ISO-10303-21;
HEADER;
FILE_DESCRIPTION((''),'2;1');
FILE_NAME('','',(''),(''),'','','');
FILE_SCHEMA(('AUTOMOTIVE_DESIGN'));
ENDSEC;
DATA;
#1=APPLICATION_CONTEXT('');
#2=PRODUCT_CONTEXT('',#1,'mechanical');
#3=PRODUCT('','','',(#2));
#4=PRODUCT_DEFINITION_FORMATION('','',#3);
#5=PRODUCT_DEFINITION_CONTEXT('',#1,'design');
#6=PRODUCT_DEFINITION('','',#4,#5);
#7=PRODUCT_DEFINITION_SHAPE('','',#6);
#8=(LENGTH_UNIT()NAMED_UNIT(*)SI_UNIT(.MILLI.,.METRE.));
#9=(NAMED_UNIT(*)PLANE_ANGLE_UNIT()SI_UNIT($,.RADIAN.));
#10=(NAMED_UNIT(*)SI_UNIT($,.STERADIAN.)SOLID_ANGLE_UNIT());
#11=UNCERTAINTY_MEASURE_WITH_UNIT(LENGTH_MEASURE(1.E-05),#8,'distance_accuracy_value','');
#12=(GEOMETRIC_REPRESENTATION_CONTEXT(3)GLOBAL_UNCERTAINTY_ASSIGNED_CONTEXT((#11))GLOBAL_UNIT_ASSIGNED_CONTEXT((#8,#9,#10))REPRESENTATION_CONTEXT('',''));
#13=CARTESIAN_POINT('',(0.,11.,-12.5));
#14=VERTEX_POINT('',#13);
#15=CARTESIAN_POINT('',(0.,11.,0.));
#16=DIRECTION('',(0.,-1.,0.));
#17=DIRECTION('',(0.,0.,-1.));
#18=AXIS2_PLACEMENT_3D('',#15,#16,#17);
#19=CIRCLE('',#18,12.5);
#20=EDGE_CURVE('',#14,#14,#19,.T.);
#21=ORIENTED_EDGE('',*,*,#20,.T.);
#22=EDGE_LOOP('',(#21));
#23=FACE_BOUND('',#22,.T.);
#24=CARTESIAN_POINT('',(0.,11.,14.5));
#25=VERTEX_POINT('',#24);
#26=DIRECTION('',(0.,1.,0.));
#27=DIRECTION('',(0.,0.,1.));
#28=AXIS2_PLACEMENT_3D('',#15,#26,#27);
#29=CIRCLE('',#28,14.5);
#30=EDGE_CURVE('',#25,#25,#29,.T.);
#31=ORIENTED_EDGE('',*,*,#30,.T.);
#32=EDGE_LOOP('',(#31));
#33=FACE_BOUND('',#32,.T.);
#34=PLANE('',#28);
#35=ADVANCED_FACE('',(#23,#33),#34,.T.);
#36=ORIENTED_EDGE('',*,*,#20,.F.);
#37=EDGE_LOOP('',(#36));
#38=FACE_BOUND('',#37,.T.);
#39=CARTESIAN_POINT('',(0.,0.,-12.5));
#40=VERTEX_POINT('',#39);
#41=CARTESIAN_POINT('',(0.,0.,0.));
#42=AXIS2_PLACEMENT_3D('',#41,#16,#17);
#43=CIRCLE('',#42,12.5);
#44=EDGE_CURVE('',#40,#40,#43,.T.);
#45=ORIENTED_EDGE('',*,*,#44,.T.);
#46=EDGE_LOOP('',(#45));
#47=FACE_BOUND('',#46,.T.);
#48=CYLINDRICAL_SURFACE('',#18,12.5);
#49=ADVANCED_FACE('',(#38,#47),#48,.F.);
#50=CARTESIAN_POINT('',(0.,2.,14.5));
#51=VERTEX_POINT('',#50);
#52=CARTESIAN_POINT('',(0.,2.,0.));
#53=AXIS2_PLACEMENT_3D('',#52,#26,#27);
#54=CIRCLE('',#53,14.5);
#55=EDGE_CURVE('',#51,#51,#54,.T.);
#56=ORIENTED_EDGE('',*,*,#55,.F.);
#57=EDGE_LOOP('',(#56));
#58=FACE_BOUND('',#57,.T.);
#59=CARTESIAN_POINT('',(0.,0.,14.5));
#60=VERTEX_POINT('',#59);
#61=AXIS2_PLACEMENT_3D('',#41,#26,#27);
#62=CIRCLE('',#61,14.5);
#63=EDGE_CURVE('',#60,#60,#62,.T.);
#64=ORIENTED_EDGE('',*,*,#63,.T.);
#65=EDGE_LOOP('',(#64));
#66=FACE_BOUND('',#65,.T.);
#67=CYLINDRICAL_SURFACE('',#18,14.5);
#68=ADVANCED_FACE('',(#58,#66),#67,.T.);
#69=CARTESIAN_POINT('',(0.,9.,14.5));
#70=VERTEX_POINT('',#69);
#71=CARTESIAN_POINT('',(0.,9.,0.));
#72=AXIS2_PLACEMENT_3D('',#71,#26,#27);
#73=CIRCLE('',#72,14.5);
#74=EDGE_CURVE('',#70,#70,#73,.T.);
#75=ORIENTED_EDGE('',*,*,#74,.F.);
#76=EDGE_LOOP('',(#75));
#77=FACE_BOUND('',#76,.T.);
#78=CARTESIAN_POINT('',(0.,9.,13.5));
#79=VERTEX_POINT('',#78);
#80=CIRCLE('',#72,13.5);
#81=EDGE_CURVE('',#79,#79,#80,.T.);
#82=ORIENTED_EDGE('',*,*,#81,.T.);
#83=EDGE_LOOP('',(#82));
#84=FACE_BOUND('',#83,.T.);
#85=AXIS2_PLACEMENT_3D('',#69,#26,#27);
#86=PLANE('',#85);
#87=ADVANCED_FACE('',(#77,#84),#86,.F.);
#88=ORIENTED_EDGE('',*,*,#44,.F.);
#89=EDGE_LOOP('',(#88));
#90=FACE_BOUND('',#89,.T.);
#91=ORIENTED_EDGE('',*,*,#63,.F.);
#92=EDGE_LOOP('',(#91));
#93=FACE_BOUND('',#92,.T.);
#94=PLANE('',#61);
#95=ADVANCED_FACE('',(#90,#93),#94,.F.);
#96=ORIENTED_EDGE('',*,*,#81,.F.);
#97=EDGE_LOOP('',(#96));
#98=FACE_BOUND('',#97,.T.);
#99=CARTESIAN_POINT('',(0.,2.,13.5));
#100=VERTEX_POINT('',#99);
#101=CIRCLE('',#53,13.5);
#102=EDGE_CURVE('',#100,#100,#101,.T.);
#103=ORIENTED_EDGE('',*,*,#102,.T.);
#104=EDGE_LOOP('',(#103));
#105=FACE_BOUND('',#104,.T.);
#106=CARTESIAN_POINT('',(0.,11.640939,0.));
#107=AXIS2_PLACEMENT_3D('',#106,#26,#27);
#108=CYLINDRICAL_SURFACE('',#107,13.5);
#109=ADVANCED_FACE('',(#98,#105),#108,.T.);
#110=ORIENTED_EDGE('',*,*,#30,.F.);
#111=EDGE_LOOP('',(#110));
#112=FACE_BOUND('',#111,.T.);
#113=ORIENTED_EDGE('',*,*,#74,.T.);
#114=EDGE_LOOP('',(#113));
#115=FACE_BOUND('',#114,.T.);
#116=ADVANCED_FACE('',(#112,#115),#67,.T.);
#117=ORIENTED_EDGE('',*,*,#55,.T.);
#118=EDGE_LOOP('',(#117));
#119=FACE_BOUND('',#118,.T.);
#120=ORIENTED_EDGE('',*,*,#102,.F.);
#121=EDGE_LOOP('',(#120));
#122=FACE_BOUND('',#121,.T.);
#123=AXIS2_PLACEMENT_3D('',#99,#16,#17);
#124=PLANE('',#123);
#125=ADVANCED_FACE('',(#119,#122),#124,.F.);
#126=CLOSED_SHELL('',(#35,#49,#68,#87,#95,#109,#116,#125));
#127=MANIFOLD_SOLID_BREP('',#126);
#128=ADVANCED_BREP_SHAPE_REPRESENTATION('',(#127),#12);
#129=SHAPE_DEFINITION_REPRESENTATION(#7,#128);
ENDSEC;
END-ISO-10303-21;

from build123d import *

# Parameters (mm, degrees)
SKETCH1_R           = 14.5
BOSS_EXTRUDE1_DEPTH = 11
SKETCH2_R           = 12.5
CUT_EXTRUDE1_DEPTH  = 24.270152556


with BuildPart() as part:
    # Sketch1 → Boss-Extrude1 (new body)
    with BuildSketch(Plane(origin=(0, 0, 0), x_dir=(1, 0, 0), z_dir=(0, 1, 0))):
        with Locations(Location((0, 0, 0), (0, 0, 270))):
            Circle(SKETCH1_R)
    extrude(amount=BOSS_EXTRUDE1_DEPTH)

    # Sketch2 → Cut-Extrude1 (cut, through all)
    with BuildSketch(Plane.XZ):
        with Locations(Location((0, 0, 0), (0, 0, 270))):
            Circle(SKETCH2_R)
    extrude(amount=-CUT_EXTRUDE1_DEPTH, mode=Mode.SUBTRACT)

    # Sketch3 → Cut-Revolve2 (revolve, cut)
    with BuildSketch(Plane(origin=(0, 0, 0), x_dir=(0, 0, -1), z_dir=(1, 0, 0))):
        Polygon((-14.5, 11), (-14.5, 9), (-13.5, 9), (-13.5, 2), (-14.5, 2), (-14.5, 0), (-16.729305882, 5.995742764), align=None)
    revolve(axis=Axis((0, 11.640939065, 0), (0, -1, 0)), mode=Mode.SUBTRACT)


solid = part.part
